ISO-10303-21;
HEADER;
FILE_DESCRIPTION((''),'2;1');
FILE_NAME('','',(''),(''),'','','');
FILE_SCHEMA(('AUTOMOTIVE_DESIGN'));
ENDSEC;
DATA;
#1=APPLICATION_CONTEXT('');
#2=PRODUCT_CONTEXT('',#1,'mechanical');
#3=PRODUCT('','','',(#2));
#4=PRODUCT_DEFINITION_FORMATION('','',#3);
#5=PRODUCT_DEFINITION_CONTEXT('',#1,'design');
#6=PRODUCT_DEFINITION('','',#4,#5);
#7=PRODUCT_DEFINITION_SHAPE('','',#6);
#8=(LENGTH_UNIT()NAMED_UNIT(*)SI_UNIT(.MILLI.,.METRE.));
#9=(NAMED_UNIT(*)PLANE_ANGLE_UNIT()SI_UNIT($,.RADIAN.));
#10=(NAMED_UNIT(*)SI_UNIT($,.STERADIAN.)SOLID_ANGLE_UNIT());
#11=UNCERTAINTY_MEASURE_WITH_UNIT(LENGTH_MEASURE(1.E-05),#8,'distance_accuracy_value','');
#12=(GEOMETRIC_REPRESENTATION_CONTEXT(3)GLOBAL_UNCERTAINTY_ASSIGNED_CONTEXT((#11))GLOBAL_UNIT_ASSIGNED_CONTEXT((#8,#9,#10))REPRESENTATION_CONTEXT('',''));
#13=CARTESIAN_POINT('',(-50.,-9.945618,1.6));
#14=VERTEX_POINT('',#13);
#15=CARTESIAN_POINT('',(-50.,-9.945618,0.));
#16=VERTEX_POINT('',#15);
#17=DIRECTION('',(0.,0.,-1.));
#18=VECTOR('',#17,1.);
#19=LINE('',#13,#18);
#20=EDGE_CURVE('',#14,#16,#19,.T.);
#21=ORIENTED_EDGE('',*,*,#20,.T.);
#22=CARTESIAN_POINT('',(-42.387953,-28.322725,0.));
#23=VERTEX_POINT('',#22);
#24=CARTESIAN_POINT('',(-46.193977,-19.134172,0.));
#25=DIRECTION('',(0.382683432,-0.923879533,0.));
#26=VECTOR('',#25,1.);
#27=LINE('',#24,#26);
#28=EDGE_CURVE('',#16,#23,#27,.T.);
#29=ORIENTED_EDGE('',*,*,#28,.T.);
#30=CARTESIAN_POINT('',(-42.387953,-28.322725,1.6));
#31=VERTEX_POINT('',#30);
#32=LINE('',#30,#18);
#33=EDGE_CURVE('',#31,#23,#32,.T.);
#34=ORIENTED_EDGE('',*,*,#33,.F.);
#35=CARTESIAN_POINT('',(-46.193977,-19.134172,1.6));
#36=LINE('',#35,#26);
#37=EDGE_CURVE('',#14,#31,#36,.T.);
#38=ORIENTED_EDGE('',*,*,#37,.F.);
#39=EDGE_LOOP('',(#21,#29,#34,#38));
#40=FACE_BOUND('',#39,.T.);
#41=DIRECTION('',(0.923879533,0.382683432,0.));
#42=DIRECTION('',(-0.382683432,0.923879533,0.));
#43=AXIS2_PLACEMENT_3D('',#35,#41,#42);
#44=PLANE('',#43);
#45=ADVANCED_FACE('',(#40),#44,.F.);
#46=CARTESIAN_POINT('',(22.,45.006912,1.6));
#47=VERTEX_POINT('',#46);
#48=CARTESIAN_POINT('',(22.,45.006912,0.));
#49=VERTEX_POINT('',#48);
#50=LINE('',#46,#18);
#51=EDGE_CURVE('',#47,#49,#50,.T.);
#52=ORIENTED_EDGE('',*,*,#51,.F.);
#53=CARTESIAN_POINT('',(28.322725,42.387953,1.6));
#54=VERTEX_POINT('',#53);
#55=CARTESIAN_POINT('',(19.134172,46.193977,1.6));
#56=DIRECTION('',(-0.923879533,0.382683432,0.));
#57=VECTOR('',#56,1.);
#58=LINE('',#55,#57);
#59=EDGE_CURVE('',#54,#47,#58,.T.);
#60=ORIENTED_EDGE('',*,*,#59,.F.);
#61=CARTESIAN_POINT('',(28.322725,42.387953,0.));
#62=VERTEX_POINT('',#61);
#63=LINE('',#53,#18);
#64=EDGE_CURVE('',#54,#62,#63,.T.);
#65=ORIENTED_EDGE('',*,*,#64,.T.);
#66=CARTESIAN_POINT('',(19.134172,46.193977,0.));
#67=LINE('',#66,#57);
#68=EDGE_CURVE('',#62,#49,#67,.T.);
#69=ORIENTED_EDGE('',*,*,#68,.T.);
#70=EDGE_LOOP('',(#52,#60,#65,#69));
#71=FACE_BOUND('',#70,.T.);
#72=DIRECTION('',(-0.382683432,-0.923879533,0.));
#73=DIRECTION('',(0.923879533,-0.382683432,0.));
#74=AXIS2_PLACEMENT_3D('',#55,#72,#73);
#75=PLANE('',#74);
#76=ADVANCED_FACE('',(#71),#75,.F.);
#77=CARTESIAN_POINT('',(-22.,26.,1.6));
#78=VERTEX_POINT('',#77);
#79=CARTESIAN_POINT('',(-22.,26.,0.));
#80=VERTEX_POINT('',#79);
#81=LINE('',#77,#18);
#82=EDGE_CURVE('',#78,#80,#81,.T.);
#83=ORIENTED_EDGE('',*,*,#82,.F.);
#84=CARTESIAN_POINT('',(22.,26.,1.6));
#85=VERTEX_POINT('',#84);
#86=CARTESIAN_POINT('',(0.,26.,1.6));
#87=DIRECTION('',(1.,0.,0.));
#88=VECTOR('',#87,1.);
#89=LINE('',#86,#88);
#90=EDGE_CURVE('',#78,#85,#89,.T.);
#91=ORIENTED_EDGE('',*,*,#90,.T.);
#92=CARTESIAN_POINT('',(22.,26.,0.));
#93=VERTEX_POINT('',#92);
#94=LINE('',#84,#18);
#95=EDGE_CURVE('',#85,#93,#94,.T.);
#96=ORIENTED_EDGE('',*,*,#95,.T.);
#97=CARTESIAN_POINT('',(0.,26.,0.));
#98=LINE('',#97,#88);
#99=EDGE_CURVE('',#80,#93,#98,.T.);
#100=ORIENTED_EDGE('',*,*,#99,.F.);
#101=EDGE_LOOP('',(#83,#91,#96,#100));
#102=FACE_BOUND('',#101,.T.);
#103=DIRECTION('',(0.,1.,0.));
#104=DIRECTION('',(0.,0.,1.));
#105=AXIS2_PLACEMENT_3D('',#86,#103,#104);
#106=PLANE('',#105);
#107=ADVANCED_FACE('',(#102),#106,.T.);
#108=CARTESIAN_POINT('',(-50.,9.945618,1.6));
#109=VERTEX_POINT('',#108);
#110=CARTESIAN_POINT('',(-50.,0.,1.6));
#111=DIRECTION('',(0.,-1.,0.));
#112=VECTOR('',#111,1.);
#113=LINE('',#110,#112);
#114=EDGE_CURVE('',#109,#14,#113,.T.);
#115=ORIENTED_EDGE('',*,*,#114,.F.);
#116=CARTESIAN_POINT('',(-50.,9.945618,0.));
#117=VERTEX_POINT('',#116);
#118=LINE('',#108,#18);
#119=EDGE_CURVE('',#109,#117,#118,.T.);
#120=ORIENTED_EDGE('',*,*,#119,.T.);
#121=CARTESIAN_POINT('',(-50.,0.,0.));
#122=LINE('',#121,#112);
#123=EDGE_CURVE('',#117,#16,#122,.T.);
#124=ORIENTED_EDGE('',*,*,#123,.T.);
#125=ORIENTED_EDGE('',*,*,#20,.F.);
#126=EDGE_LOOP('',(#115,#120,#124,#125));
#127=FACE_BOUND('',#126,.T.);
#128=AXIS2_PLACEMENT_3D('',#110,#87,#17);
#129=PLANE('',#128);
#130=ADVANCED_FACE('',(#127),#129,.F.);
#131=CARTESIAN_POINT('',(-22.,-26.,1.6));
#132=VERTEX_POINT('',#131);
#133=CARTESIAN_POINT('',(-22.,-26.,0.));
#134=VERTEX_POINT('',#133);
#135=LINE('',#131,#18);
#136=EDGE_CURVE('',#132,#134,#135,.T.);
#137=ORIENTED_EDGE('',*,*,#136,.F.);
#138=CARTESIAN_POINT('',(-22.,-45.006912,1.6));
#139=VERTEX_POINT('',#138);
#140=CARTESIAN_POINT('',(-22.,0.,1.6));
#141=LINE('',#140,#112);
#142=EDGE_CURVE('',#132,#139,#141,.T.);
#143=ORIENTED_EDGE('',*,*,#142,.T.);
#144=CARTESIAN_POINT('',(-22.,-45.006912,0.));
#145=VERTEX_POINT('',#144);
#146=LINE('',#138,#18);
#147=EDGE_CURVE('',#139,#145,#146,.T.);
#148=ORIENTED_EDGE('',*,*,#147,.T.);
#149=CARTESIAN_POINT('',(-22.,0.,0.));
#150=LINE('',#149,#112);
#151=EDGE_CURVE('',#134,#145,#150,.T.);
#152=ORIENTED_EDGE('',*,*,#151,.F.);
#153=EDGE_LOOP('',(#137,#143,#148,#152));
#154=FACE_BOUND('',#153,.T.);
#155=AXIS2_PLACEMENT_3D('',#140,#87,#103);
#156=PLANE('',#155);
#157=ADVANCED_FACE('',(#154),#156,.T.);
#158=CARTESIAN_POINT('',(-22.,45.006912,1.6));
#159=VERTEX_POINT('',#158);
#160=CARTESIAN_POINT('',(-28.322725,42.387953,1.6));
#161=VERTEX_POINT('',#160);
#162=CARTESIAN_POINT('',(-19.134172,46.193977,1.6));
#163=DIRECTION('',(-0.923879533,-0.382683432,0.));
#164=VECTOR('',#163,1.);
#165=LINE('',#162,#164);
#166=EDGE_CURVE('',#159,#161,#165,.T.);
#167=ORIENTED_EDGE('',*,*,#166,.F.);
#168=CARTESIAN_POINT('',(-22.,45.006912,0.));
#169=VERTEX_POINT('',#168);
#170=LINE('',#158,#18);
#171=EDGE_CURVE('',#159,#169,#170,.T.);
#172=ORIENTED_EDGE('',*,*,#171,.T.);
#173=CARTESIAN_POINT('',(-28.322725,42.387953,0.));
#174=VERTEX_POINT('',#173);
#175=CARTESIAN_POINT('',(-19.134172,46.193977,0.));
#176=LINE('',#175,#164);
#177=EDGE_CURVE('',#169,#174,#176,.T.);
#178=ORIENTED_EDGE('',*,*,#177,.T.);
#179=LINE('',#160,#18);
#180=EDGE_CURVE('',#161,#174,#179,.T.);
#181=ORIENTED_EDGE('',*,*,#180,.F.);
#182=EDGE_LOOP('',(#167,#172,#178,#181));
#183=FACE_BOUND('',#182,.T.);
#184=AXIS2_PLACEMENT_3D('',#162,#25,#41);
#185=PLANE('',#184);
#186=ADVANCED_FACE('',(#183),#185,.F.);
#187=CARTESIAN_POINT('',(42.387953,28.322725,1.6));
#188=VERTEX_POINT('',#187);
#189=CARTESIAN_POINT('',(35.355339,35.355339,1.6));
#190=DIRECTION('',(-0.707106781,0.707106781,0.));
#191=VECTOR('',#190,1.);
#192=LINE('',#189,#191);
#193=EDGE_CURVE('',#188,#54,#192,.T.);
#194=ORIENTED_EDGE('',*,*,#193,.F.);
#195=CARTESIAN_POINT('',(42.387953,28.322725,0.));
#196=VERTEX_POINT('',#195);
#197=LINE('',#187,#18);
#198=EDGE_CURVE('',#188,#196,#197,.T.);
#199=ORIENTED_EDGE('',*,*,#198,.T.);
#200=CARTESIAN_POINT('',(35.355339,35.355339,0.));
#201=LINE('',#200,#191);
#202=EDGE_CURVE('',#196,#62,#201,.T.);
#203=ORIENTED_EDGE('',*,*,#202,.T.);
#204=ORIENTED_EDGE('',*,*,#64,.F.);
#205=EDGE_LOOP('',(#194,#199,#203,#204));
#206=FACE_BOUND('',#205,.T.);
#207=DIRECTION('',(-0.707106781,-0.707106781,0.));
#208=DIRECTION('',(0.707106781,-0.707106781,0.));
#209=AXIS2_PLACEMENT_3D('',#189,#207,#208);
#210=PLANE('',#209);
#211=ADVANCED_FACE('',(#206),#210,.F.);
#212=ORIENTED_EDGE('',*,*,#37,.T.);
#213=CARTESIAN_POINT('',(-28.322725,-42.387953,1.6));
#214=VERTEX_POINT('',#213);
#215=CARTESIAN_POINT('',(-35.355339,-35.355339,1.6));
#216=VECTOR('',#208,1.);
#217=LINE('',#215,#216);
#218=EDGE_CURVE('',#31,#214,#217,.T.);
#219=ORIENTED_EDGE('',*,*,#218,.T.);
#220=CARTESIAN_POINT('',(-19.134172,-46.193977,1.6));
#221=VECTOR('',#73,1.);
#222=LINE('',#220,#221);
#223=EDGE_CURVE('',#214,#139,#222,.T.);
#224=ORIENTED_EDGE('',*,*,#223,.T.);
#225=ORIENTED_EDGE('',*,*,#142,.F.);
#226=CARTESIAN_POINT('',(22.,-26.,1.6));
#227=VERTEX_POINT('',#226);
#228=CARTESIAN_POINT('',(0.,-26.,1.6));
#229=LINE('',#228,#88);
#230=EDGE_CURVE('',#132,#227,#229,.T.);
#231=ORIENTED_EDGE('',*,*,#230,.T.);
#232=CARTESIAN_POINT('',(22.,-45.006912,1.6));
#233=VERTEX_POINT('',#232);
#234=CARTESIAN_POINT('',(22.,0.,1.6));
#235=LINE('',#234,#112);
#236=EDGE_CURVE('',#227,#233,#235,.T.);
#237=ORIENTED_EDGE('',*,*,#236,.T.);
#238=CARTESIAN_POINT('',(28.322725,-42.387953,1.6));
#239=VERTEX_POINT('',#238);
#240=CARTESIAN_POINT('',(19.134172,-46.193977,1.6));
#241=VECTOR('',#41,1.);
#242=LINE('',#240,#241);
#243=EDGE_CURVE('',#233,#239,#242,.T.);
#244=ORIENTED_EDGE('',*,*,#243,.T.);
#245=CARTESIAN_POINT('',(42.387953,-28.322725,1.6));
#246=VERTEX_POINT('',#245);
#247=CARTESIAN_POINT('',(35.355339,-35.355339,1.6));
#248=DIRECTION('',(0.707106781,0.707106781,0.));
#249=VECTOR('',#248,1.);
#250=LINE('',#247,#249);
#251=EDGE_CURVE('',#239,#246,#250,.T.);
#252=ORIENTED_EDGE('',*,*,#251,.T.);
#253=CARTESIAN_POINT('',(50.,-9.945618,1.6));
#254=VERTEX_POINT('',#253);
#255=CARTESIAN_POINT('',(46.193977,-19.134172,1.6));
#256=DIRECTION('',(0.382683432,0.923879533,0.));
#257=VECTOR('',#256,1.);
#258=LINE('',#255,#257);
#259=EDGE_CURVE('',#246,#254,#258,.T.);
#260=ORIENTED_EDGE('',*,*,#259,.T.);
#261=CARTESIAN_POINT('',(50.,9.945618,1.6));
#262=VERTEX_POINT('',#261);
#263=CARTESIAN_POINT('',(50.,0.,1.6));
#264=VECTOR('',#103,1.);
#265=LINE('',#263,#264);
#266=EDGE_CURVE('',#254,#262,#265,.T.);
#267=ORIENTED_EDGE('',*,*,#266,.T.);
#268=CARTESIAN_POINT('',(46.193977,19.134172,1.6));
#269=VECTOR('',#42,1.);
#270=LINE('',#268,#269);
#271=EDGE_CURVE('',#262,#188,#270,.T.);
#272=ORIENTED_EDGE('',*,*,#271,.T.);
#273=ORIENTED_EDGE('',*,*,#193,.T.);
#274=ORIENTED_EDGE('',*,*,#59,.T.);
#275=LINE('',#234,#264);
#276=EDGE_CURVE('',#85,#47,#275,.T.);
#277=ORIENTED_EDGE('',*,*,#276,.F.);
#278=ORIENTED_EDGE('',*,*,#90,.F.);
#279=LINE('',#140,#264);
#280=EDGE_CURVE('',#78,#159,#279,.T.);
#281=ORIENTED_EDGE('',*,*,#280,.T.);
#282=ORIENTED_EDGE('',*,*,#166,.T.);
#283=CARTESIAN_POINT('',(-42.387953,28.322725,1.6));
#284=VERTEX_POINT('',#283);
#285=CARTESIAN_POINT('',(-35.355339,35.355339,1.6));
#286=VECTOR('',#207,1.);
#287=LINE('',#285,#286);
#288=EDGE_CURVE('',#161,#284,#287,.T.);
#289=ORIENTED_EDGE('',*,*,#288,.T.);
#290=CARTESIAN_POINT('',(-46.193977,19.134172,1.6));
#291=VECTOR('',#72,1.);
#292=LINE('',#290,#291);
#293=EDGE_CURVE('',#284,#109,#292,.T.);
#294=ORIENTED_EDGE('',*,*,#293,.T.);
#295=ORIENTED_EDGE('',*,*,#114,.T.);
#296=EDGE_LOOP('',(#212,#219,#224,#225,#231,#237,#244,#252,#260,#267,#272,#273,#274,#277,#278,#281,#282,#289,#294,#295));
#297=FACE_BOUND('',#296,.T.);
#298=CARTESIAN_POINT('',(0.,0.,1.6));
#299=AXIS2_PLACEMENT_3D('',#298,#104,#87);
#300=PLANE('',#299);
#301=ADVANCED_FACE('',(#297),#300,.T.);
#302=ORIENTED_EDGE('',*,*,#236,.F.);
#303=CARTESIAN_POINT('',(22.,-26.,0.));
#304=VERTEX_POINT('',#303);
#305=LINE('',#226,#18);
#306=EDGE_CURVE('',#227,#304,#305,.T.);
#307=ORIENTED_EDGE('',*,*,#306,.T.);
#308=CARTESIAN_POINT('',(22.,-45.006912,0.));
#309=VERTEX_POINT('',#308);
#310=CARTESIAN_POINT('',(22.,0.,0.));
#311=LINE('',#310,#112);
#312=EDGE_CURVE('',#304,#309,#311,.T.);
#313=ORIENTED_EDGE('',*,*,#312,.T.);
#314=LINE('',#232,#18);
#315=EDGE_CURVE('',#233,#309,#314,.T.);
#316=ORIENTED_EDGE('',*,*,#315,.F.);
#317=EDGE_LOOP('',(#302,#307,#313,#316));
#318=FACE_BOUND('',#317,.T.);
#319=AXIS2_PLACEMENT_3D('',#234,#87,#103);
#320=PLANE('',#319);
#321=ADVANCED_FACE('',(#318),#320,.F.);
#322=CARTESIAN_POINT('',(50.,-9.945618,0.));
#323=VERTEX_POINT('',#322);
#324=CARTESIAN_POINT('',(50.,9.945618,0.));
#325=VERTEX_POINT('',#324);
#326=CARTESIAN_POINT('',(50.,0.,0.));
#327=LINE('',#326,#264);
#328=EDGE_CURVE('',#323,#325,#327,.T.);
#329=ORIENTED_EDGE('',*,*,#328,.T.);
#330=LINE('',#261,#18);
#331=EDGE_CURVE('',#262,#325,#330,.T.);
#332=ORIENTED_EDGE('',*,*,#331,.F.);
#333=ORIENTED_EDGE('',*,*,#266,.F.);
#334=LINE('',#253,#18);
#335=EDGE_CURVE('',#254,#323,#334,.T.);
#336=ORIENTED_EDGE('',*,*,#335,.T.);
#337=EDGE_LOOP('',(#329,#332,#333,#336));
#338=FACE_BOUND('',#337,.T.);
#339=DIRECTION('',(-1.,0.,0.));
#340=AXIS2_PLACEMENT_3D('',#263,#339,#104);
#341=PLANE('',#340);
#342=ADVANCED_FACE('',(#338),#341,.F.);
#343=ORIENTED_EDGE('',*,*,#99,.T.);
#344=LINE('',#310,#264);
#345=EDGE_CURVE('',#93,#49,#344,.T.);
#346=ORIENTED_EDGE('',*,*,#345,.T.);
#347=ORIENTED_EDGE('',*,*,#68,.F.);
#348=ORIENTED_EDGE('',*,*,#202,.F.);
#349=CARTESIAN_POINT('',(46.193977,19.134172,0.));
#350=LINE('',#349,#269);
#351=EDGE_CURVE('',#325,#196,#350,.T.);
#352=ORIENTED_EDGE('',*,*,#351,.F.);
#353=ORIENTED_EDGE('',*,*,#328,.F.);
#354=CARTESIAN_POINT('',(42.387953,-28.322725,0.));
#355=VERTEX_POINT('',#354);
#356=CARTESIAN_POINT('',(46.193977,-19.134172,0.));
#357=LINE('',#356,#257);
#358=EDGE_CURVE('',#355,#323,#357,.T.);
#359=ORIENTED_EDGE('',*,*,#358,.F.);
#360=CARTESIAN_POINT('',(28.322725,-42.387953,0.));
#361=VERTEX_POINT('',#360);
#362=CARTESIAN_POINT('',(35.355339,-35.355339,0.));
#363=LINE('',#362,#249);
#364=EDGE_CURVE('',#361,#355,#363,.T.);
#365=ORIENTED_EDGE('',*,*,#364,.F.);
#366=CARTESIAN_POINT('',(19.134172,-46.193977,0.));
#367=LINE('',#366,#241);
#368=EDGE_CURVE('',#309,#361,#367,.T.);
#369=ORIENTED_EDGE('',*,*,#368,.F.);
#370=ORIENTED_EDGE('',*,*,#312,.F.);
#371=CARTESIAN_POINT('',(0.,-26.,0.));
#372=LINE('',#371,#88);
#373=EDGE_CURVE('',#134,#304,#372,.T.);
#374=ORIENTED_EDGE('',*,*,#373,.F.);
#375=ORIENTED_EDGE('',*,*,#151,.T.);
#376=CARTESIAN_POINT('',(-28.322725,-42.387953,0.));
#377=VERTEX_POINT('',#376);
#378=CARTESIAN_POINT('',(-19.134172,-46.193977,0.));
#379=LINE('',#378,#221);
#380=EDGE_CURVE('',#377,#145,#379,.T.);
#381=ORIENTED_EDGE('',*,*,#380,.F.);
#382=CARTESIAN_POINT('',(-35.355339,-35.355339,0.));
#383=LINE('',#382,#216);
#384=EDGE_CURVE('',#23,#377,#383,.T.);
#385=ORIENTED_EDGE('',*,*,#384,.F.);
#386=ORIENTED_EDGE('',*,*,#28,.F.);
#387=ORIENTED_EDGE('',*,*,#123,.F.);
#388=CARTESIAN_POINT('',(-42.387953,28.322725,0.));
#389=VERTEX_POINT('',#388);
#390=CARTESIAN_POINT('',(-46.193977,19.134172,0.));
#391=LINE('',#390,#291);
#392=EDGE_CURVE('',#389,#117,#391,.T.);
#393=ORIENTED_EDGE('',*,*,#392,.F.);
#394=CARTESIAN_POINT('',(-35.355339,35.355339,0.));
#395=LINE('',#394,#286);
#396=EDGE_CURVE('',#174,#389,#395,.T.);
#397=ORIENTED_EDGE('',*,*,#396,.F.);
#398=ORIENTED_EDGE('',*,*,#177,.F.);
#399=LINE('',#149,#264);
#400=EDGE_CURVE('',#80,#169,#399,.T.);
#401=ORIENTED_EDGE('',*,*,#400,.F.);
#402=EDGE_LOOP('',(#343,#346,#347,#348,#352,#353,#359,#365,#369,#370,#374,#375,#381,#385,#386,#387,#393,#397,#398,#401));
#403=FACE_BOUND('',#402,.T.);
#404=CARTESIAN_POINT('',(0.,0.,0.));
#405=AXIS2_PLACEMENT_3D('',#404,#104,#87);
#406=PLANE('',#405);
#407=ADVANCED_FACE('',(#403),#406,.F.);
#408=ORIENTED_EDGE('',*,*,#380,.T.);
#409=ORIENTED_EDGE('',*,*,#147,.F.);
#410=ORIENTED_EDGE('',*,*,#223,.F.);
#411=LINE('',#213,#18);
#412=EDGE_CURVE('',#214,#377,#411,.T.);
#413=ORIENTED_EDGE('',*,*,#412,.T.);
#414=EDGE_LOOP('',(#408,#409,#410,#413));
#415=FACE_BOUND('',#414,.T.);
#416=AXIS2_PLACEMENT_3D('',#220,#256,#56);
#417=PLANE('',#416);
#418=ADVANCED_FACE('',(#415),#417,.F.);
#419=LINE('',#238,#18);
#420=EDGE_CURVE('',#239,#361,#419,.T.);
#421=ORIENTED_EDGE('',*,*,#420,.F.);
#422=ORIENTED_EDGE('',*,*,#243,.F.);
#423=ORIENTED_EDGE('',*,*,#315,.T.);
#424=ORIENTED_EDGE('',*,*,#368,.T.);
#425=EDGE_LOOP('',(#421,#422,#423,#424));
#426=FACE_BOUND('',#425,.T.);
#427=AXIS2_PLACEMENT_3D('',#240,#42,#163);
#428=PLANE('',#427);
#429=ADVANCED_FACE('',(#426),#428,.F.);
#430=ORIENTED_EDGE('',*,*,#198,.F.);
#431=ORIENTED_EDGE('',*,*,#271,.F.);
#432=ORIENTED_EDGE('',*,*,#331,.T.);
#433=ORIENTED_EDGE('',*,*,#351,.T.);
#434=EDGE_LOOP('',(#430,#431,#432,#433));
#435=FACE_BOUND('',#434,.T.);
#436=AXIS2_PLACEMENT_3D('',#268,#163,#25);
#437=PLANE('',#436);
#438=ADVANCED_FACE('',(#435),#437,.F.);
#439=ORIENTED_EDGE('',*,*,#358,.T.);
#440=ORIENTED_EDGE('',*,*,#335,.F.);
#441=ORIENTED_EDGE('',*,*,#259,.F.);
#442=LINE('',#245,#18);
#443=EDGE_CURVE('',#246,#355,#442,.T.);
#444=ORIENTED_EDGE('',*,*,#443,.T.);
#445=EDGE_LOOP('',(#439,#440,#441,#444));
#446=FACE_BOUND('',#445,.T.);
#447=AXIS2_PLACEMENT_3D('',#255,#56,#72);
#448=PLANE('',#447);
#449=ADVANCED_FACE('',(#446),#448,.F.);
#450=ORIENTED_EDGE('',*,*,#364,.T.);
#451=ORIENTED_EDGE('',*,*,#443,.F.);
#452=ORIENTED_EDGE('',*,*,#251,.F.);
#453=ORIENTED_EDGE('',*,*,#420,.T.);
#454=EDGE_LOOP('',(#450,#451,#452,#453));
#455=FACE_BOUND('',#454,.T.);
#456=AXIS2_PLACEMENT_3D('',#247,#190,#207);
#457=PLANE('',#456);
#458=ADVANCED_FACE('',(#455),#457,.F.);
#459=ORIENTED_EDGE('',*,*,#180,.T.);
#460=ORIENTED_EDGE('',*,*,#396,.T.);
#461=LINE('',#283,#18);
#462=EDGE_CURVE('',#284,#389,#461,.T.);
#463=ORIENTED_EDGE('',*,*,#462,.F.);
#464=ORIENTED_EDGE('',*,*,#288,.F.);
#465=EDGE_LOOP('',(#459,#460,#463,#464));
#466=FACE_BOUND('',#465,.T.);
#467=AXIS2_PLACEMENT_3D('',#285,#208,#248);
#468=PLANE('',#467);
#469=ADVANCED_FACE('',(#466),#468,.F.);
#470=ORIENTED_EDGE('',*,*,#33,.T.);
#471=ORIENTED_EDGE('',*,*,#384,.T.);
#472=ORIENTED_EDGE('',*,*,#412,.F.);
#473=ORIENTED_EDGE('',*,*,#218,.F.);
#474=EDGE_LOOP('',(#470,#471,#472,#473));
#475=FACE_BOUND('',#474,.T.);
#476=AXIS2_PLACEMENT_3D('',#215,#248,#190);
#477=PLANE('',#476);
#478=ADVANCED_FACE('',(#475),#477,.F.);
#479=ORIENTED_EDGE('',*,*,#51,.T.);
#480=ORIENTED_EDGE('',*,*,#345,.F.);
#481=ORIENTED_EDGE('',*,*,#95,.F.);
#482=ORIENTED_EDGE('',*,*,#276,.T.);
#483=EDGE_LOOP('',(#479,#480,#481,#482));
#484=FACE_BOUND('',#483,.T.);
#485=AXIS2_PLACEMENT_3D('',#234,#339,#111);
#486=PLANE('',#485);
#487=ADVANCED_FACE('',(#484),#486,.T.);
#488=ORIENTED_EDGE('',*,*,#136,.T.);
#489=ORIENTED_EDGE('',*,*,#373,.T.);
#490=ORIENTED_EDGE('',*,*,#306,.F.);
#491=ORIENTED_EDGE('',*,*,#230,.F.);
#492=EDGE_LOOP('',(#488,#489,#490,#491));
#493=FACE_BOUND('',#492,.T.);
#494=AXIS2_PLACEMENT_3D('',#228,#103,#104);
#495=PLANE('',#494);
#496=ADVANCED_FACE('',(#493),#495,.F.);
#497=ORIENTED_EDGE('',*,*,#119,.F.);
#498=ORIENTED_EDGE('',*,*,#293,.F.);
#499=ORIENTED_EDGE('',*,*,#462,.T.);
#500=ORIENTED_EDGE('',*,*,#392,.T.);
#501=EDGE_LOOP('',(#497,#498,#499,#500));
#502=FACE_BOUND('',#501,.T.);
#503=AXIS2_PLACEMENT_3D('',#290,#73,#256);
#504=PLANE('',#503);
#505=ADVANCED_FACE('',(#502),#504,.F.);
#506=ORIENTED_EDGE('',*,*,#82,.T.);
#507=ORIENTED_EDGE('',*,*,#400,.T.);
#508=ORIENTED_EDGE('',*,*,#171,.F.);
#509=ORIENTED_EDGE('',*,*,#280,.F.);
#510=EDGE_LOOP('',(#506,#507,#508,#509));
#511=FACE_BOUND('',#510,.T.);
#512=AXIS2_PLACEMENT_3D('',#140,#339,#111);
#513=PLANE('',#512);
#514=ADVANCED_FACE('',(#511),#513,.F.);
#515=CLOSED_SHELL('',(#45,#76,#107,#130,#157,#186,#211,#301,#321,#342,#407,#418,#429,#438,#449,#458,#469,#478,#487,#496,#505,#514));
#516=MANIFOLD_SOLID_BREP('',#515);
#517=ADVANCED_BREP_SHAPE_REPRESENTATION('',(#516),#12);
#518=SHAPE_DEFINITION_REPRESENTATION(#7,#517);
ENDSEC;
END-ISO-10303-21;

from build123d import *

# Parameters (mm, degrees)
EXTRUDE_1_DEPTH = 1.6


with BuildPart() as part:
    # 草图1 → 凸台-拉伸1 (new body)
    with BuildSketch(Plane.XY):
        Polygon((-22, -45.006911642), (-22, -26), (22, -26), (22, -45.006911642), (28.322724868, -42.387953251), (42.387953251, -28.322724868), (50, -9.945618369), (50, 9.945618369), (42.387953251, 28.322724868), (28.322724868, 42.387953251), (22, 45.006911642), (22, 26), (-22, 26), (-22, 45.006911642), (-28.322724868, 42.387953251), (-42.387953251, 28.322724868), (-50, 9.945618369), (-50, -9.945618369), (-42.387953251, -28.322724868), (-28.322724868, -42.387953251), align=None)
    extrude(amount=EXTRUDE_1_DEPTH)


solid = part.part
